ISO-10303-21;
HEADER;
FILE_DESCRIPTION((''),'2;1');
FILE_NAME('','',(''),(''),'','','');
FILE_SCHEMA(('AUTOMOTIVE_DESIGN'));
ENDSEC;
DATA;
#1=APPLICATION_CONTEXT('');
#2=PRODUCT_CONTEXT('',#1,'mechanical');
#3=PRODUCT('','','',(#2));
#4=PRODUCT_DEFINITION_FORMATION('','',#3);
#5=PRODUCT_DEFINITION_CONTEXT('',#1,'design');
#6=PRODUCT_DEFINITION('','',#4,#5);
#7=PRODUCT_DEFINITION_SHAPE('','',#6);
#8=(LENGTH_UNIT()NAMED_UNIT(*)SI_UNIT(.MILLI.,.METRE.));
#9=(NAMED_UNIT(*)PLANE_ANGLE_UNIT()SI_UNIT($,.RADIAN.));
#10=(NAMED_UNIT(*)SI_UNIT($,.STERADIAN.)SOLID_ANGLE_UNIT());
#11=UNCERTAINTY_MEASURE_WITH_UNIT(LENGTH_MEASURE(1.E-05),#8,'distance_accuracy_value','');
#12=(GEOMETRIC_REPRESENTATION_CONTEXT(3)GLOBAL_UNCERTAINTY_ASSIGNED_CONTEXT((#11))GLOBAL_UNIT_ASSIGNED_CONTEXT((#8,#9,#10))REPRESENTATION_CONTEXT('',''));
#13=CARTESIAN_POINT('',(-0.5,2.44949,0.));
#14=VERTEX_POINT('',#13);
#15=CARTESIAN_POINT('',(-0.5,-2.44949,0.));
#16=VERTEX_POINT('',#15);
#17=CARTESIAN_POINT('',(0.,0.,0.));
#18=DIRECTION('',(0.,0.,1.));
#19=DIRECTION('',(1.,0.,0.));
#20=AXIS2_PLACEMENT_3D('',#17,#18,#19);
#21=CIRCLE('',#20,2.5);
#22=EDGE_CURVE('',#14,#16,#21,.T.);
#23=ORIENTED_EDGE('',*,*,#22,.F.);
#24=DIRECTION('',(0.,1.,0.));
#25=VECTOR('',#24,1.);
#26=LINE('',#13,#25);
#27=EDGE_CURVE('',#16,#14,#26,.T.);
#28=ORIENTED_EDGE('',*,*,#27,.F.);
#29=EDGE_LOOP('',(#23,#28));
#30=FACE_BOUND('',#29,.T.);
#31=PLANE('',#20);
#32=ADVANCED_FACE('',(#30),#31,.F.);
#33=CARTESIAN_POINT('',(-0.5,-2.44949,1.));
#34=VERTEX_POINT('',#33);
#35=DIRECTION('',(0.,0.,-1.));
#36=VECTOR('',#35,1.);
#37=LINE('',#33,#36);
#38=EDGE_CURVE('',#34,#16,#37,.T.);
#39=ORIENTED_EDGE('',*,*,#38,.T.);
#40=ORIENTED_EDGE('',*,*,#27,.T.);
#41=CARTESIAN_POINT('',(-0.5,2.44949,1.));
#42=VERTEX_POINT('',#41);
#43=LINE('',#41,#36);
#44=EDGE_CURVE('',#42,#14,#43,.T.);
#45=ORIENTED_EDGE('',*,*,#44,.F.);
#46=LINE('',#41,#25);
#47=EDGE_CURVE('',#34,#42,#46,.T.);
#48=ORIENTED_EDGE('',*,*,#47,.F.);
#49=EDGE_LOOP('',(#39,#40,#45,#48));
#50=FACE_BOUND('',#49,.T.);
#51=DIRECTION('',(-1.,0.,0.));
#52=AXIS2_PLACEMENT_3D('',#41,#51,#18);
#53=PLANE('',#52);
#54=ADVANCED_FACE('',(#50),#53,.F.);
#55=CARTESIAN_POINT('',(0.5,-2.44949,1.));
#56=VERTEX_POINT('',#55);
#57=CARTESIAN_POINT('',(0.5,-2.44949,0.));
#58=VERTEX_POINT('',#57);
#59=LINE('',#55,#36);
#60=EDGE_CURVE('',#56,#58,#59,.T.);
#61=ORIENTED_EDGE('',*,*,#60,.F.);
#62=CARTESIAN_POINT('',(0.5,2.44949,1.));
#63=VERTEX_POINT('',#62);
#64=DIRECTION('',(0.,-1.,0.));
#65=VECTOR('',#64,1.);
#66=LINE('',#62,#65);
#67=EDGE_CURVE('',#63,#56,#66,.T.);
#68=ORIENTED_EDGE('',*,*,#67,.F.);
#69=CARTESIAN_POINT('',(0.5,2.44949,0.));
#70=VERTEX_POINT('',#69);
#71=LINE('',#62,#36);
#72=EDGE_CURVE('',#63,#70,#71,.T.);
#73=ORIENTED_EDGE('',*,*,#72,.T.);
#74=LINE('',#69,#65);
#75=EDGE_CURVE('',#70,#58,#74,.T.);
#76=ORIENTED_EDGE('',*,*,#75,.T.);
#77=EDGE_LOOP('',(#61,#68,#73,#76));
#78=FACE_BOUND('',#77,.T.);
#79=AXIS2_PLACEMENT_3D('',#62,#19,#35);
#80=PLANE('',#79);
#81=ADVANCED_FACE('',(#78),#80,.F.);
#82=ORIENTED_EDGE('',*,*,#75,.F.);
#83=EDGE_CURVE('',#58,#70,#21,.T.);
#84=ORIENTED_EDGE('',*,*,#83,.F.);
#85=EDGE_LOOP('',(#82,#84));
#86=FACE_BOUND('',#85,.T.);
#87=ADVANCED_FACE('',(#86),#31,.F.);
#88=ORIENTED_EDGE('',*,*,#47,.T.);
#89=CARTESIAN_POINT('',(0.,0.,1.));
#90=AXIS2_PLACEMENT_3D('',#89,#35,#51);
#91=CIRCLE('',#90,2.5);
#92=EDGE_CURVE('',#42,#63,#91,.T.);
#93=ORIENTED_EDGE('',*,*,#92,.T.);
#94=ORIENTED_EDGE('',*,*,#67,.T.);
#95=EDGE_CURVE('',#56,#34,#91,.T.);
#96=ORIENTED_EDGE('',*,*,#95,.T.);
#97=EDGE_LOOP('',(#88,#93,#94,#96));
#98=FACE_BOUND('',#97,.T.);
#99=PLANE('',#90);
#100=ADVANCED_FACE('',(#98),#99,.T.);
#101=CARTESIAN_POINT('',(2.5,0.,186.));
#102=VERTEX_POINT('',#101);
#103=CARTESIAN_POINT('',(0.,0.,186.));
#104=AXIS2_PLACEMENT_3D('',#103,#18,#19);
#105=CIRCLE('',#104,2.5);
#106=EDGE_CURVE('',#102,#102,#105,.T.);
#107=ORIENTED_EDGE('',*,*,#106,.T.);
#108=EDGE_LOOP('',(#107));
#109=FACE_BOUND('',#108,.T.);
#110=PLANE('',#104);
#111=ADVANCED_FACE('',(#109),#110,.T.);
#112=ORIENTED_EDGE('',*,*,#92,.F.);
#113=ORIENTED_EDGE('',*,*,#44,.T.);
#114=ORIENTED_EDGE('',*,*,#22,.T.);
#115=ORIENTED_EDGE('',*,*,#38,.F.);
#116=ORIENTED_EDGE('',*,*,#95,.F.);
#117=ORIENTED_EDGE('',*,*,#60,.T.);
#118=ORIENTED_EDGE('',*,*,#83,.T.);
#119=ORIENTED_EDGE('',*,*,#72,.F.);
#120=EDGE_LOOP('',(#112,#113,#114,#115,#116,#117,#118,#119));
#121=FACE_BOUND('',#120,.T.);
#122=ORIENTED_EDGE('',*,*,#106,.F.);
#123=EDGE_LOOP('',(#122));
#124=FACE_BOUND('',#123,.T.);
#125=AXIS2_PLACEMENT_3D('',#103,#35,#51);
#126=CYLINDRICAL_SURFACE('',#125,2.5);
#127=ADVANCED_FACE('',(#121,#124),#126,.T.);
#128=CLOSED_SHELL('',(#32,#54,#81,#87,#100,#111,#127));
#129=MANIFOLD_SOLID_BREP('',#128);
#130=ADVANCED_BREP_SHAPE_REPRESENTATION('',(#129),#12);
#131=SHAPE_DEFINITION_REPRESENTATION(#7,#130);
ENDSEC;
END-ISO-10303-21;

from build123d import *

# Parameters (mm, degrees)
ESQUISSE1_R             = 2.5
BOSS_EXTRU_1_DEPTH      = 186
ENL_V_MAT_EXTRU_1_DEPTH = 1


with BuildPart() as part:
    # Esquisse1 → Boss.-Extru.1 (new body)
    with BuildSketch(Plane.XY):
        with Locations(Location((0, 0, 0), (0, 0, 180))):
            Circle(ESQUISSE1_R)
    extrude(amount=BOSS_EXTRU_1_DEPTH)

    # Esquisse2 → Enlèv. mat.-Extru.1 (cut)
    with BuildSketch(Plane(origin=(0, 0, 0), x_dir=(-1, 0, 0), z_dir=(0, 0, -1))):
        with BuildLine():
            Line((-0.5, 2.449489743), (-0.5, -2.449489743))
            ThreePointArc((-0.5, -2.449489743), (0, -2.5), (0.5, -2.449489743))
            Line((0.5, -2.449489743), (0.5, 2.449489743))
            ThreePointArc((0.5, 2.449489743), (0, 2.5), (-0.5, 2.449489743))
        make_face()
    extrude(amount=-ENL_V_MAT_EXTRU_1_DEPTH, mode=Mode.SUBTRACT)


solid = part.part
